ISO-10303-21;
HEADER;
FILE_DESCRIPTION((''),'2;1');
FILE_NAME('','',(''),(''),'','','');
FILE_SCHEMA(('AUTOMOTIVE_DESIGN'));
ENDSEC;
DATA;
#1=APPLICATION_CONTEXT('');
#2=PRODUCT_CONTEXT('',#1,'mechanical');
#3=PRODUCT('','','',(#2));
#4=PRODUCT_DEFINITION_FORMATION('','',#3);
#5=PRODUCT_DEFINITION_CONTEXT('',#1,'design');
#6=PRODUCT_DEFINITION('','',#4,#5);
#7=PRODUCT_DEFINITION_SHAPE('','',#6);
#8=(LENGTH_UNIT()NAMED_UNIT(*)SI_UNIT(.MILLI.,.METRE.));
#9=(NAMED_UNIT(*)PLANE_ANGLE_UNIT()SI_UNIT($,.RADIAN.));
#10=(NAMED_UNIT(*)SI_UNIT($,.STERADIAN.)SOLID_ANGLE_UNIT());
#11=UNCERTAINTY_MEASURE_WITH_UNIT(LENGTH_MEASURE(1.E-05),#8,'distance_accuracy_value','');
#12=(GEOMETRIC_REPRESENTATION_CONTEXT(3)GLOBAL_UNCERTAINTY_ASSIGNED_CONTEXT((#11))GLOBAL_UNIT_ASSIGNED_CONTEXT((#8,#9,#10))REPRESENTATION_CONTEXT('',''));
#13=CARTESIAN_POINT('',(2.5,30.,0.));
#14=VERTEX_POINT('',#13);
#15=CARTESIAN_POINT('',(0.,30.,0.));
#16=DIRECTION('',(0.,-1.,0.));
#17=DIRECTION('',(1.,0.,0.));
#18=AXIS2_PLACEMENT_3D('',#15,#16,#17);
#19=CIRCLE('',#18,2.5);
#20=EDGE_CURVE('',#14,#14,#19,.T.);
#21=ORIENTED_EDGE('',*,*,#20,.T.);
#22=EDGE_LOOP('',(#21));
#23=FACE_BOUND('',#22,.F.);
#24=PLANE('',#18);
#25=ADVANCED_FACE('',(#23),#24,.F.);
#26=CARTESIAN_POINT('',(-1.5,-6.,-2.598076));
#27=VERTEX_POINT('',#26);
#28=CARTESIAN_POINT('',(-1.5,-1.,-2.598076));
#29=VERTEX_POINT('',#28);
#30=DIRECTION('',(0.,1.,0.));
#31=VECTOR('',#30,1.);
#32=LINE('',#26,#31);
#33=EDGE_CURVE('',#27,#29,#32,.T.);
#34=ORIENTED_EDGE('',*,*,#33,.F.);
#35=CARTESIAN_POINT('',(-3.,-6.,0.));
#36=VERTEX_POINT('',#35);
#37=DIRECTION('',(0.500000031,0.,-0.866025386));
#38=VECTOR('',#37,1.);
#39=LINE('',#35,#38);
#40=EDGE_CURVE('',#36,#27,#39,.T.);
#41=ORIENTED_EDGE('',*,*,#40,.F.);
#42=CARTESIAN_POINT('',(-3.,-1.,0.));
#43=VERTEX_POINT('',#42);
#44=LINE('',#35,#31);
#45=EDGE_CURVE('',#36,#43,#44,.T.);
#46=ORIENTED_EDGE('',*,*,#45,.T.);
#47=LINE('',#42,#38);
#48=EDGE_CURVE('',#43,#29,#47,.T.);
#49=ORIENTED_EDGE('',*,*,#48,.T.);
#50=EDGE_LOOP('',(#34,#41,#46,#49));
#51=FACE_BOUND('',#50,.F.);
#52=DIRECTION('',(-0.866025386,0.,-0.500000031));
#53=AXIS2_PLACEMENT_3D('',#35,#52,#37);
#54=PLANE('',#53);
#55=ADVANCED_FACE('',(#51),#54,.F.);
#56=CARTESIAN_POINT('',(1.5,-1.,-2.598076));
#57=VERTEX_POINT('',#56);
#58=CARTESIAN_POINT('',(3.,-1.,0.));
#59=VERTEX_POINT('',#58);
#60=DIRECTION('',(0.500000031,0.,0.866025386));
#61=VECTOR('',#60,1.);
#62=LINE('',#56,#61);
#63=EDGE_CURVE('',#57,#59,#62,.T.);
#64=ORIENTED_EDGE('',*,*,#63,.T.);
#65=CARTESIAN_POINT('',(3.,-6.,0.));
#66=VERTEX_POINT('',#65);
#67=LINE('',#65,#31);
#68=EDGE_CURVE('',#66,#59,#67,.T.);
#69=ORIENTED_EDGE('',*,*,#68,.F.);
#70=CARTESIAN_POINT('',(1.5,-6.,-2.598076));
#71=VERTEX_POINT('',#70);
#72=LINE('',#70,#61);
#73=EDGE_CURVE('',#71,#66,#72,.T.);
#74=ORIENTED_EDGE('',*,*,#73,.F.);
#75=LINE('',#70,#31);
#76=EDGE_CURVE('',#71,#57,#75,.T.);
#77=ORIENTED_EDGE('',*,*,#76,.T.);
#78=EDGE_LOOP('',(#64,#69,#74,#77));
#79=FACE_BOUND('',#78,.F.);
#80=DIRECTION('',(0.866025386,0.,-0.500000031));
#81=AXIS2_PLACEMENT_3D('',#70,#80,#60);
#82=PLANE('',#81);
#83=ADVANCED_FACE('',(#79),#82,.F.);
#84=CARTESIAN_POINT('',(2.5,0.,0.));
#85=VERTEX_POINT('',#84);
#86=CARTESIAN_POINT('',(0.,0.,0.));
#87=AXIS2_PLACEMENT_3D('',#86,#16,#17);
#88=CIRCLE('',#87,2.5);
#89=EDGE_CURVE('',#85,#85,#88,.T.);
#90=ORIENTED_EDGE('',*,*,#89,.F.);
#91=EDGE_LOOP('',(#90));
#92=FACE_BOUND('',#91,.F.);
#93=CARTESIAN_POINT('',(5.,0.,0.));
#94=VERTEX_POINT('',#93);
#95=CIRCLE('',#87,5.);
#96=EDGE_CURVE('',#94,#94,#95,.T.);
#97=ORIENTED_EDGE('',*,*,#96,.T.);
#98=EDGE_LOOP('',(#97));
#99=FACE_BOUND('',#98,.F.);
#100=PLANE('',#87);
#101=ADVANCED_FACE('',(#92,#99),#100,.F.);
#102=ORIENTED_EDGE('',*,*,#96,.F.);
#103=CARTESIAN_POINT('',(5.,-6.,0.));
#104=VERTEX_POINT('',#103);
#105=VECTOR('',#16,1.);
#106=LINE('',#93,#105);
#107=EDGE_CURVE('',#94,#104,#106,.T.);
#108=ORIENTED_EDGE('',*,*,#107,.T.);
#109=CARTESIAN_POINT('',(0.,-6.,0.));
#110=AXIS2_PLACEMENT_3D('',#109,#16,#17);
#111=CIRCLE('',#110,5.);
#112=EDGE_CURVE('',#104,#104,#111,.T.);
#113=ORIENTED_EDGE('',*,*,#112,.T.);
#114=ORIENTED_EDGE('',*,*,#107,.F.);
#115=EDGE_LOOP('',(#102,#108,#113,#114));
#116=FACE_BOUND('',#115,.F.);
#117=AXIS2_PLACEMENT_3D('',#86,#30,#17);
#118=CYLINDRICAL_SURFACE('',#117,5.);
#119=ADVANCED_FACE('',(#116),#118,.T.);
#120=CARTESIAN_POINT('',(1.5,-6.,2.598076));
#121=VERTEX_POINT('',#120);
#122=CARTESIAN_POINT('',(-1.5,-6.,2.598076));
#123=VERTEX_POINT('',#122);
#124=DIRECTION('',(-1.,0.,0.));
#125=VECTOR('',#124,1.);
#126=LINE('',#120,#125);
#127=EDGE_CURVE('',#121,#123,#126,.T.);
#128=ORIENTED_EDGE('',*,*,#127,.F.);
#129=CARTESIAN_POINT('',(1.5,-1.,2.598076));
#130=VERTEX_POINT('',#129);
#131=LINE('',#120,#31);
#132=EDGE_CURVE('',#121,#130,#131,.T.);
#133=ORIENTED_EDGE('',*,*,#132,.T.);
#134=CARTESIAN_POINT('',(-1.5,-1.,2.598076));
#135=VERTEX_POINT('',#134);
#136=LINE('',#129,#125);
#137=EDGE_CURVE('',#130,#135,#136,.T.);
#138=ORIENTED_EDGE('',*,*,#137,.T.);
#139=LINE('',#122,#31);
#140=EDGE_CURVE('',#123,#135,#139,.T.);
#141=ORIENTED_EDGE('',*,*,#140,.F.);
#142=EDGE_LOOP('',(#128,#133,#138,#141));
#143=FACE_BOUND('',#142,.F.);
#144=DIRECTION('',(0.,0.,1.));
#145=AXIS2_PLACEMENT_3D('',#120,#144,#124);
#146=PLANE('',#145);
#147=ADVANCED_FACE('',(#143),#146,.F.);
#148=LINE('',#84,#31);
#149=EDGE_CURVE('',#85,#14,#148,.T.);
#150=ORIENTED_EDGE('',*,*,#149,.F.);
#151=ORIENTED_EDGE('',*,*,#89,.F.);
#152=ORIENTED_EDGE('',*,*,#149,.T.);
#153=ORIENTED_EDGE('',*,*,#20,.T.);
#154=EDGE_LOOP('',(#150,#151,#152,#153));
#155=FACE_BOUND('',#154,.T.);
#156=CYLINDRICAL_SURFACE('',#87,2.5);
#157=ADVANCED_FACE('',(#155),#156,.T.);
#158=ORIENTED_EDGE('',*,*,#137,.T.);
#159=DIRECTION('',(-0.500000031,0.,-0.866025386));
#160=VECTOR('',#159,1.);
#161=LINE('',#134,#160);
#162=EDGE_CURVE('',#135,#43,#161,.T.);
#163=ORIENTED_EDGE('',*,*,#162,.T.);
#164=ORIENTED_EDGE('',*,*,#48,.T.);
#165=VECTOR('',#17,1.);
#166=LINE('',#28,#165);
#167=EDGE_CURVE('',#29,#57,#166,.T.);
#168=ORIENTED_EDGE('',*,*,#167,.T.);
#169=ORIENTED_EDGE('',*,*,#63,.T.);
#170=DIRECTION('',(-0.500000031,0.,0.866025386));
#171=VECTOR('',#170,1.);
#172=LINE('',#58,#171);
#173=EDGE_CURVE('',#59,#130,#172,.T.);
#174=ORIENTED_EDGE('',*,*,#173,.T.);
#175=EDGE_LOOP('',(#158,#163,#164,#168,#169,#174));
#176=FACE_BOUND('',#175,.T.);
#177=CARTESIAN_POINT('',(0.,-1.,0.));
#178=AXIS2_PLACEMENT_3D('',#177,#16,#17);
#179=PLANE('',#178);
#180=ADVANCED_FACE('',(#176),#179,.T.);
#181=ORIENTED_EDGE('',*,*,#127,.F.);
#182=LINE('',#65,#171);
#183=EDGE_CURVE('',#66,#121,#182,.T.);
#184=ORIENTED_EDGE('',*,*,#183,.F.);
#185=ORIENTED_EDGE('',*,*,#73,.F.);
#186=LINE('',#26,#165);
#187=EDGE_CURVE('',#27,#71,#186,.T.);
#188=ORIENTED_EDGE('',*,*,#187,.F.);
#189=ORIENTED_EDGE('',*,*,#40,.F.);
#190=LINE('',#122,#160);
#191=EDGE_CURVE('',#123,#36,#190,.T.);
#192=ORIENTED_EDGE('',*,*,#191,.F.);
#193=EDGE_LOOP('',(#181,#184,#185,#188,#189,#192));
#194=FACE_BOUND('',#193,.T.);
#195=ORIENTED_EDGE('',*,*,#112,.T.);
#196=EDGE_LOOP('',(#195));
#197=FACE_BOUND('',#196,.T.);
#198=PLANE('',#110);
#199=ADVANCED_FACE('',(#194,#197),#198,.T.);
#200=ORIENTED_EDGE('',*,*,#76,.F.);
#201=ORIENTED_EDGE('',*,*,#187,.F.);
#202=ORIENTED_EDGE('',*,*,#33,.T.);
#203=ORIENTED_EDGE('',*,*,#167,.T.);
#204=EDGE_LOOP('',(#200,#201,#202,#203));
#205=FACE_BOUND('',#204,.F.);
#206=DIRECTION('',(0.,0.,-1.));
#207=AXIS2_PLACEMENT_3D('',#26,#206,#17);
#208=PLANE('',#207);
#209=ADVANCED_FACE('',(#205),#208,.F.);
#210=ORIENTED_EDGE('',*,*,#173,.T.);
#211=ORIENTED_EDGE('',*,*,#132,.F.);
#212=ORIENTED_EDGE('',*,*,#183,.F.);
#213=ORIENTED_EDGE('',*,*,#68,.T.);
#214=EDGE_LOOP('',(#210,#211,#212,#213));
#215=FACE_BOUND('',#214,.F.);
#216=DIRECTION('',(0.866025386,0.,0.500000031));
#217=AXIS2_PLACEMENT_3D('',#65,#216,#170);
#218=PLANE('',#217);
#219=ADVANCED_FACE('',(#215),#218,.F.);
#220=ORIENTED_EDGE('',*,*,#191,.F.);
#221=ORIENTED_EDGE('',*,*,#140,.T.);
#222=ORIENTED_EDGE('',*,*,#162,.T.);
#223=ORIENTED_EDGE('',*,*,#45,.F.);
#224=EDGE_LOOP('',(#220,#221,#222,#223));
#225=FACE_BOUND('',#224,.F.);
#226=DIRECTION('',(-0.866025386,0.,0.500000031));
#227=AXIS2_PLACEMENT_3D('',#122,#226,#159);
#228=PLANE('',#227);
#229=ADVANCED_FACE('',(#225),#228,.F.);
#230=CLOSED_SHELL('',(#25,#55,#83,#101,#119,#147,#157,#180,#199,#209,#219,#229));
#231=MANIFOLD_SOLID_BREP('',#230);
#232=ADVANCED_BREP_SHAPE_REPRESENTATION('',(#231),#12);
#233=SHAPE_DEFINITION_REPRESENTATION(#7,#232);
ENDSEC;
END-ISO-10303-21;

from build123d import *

# Parameters (mm, degrees)
F0_R     = 2.5
F1_DEPTH = 30
F3_R     = 5
F4_DEPTH = 6
F7_DEPTH = 5


with BuildPart() as f1:
    # F0 (on Front) → F1 (new body)
    with BuildSketch(Plane.XZ):
        Circle(F0_R)
    extrude(amount=-F1_DEPTH)

    # F3 (on offset) → F4 (join)
    with BuildSketch(Plane.XZ):
        Circle(F3_R)
    extrude(amount=F4_DEPTH)

    # F6 (on offset) → F7 (cut)
    with BuildSketch(Plane.XZ.offset(6)):
        Polygon((1.5, 2.598076), (-1.5, 2.598076), (-3, 0), (-1.5, -2.598076), (1.5, -2.598076), (3, 0), align=None)
    extrude(amount=-F7_DEPTH, mode=Mode.SUBTRACT)


solid = f1.part
